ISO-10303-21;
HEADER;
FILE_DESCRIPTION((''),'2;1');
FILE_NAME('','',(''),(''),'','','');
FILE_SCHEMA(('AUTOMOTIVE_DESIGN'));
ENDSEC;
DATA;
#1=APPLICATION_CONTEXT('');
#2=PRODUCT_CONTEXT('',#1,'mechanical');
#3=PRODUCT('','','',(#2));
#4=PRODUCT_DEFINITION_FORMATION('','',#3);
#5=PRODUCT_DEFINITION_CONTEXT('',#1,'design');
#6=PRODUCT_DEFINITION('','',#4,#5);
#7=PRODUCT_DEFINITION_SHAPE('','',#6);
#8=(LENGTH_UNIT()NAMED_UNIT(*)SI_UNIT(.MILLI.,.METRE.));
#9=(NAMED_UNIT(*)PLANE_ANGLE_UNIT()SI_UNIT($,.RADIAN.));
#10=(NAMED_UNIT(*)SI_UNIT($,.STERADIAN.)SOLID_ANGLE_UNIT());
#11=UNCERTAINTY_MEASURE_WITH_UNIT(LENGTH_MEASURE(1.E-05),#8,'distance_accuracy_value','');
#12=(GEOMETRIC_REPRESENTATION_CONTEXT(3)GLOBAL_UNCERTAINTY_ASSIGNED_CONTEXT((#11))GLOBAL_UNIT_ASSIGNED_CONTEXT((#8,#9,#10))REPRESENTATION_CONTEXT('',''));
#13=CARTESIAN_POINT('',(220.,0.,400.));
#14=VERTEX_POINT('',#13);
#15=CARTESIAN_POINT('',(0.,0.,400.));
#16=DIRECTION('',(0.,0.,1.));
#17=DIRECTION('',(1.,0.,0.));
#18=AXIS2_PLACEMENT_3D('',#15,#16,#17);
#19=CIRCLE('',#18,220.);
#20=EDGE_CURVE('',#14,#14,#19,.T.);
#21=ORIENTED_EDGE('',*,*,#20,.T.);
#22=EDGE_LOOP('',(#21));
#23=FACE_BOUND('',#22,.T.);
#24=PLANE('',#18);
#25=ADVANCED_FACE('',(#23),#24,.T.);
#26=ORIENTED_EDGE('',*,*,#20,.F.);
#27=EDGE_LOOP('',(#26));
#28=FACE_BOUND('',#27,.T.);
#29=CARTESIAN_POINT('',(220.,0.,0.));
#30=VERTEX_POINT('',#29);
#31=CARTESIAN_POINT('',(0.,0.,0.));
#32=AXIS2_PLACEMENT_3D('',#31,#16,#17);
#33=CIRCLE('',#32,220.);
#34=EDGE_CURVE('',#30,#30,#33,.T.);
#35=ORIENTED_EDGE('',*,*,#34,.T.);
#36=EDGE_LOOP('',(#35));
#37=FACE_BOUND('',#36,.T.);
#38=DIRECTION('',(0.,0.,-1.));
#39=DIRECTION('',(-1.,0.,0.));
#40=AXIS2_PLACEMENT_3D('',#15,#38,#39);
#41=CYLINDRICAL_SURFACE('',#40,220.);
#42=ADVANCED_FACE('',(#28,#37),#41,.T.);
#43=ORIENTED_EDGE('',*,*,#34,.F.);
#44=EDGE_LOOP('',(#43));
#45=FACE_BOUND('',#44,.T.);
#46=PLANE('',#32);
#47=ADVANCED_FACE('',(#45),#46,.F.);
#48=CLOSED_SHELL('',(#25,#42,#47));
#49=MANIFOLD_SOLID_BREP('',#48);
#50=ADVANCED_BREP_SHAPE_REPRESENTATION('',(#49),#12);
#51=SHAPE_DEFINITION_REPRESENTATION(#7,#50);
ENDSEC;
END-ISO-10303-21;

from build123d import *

# Parameters (mm, degrees)
ESQUISSE1_R        = 220
BOSS_EXTRU_1_DEPTH = 400


with BuildPart() as part:
    # Esquisse1 → Boss.-Extru.1 (new body)
    with BuildSketch(Plane.XY):
        Circle(ESQUISSE1_R)
    extrude(amount=BOSS_EXTRU_1_DEPTH)


solid = part.part
